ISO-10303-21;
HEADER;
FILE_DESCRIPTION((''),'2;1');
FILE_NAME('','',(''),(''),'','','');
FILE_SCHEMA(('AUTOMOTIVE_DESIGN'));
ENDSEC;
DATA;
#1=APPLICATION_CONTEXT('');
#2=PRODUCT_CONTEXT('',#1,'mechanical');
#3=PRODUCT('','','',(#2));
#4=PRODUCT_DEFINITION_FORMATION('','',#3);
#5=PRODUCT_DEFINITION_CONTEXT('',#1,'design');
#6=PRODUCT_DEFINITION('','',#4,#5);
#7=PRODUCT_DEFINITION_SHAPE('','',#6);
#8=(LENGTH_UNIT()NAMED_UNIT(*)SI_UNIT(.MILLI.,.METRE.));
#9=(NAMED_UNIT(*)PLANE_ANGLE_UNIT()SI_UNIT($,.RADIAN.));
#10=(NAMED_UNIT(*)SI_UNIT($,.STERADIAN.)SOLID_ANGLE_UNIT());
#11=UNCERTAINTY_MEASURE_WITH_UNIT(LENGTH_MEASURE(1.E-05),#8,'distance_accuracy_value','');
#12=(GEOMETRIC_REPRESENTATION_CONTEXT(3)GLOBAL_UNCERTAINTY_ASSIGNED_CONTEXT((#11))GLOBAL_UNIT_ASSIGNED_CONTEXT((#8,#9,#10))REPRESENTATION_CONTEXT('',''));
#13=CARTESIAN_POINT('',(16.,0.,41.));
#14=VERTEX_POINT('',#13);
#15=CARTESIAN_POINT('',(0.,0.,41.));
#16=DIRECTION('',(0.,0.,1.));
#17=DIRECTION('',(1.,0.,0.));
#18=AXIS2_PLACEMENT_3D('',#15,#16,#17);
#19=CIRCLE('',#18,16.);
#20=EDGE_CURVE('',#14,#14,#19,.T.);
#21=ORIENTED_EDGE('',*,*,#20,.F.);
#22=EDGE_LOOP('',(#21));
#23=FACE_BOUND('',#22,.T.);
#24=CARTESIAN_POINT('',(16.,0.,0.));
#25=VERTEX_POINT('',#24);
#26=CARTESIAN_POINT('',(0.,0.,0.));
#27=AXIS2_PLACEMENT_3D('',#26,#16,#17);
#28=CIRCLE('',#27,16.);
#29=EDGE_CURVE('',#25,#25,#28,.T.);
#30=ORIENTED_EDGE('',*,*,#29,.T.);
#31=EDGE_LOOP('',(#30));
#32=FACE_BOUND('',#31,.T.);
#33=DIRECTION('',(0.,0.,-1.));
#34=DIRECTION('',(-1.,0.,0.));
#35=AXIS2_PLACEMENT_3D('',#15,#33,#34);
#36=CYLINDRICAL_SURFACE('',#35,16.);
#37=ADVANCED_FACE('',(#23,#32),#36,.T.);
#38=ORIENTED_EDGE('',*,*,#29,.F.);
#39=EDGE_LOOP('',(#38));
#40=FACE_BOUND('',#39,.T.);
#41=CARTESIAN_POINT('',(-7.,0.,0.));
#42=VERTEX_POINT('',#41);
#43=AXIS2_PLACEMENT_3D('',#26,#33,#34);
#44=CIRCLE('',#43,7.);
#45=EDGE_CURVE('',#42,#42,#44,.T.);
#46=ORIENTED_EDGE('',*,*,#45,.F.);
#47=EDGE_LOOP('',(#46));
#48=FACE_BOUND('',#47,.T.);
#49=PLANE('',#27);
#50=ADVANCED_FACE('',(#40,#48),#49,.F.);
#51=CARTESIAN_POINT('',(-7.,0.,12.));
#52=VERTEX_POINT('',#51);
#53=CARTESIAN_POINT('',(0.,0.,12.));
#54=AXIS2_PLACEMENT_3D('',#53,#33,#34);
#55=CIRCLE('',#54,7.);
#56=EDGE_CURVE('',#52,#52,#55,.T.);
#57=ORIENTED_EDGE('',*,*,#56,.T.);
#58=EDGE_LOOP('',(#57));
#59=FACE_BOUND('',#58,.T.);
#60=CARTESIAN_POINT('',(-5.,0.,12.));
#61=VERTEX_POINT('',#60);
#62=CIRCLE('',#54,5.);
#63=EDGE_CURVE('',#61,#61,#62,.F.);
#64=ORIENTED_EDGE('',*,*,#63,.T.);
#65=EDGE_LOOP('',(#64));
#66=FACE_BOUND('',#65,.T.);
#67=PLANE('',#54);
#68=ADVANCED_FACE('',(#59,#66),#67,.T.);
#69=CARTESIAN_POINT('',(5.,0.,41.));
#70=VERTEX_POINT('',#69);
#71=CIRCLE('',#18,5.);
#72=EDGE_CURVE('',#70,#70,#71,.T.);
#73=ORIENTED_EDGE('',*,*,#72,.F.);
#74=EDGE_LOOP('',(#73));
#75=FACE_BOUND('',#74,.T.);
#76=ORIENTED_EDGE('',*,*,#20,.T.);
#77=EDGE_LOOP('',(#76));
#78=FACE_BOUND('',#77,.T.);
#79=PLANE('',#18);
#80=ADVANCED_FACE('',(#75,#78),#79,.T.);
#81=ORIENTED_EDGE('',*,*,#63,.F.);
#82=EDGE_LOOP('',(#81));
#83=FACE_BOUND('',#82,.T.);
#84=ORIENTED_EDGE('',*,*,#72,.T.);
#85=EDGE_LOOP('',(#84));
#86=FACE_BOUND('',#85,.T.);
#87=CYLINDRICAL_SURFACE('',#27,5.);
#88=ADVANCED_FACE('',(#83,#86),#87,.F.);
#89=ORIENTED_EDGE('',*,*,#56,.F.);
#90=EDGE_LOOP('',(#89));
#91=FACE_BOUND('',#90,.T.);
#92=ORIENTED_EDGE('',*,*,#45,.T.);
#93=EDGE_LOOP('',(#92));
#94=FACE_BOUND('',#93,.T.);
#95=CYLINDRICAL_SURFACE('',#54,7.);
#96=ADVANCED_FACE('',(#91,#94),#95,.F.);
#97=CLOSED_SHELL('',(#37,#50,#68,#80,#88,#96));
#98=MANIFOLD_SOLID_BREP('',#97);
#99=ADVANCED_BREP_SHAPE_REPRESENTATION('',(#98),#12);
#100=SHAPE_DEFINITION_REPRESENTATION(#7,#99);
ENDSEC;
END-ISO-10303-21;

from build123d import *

# Parameters (mm, degrees)
SKETCH_1_R          = 16
EXTRUDE_1_DEPTH     = 41
SKETCH_2_R          = 5
CUT_EXTRUDE_1_DEPTH = 47.829477896
SKETCH_3_R          = 7
CUT_EXTRUDE_2_DEPTH = 12


with BuildPart() as part:
    # 草图1 → 凸台-拉伸1 (new body)
    with BuildSketch(Plane.XY):
        Circle(SKETCH_1_R)
    extrude(amount=EXTRUDE_1_DEPTH)

    # 草图2 → 切除-拉伸1 (cut, through all)
    with BuildSketch(Plane.XY.offset(41)):
        Circle(SKETCH_2_R)
    extrude(amount=-CUT_EXTRUDE_1_DEPTH, mode=Mode.SUBTRACT)

    # 草图3 → 切除-拉伸2 (cut)
    with BuildSketch(Plane(origin=(0, 0, 0), x_dir=(-1, 0, 0), z_dir=(0, 0, -1))):
        Circle(SKETCH_3_R)
    extrude(amount=-CUT_EXTRUDE_2_DEPTH, mode=Mode.SUBTRACT)


solid = part.part
